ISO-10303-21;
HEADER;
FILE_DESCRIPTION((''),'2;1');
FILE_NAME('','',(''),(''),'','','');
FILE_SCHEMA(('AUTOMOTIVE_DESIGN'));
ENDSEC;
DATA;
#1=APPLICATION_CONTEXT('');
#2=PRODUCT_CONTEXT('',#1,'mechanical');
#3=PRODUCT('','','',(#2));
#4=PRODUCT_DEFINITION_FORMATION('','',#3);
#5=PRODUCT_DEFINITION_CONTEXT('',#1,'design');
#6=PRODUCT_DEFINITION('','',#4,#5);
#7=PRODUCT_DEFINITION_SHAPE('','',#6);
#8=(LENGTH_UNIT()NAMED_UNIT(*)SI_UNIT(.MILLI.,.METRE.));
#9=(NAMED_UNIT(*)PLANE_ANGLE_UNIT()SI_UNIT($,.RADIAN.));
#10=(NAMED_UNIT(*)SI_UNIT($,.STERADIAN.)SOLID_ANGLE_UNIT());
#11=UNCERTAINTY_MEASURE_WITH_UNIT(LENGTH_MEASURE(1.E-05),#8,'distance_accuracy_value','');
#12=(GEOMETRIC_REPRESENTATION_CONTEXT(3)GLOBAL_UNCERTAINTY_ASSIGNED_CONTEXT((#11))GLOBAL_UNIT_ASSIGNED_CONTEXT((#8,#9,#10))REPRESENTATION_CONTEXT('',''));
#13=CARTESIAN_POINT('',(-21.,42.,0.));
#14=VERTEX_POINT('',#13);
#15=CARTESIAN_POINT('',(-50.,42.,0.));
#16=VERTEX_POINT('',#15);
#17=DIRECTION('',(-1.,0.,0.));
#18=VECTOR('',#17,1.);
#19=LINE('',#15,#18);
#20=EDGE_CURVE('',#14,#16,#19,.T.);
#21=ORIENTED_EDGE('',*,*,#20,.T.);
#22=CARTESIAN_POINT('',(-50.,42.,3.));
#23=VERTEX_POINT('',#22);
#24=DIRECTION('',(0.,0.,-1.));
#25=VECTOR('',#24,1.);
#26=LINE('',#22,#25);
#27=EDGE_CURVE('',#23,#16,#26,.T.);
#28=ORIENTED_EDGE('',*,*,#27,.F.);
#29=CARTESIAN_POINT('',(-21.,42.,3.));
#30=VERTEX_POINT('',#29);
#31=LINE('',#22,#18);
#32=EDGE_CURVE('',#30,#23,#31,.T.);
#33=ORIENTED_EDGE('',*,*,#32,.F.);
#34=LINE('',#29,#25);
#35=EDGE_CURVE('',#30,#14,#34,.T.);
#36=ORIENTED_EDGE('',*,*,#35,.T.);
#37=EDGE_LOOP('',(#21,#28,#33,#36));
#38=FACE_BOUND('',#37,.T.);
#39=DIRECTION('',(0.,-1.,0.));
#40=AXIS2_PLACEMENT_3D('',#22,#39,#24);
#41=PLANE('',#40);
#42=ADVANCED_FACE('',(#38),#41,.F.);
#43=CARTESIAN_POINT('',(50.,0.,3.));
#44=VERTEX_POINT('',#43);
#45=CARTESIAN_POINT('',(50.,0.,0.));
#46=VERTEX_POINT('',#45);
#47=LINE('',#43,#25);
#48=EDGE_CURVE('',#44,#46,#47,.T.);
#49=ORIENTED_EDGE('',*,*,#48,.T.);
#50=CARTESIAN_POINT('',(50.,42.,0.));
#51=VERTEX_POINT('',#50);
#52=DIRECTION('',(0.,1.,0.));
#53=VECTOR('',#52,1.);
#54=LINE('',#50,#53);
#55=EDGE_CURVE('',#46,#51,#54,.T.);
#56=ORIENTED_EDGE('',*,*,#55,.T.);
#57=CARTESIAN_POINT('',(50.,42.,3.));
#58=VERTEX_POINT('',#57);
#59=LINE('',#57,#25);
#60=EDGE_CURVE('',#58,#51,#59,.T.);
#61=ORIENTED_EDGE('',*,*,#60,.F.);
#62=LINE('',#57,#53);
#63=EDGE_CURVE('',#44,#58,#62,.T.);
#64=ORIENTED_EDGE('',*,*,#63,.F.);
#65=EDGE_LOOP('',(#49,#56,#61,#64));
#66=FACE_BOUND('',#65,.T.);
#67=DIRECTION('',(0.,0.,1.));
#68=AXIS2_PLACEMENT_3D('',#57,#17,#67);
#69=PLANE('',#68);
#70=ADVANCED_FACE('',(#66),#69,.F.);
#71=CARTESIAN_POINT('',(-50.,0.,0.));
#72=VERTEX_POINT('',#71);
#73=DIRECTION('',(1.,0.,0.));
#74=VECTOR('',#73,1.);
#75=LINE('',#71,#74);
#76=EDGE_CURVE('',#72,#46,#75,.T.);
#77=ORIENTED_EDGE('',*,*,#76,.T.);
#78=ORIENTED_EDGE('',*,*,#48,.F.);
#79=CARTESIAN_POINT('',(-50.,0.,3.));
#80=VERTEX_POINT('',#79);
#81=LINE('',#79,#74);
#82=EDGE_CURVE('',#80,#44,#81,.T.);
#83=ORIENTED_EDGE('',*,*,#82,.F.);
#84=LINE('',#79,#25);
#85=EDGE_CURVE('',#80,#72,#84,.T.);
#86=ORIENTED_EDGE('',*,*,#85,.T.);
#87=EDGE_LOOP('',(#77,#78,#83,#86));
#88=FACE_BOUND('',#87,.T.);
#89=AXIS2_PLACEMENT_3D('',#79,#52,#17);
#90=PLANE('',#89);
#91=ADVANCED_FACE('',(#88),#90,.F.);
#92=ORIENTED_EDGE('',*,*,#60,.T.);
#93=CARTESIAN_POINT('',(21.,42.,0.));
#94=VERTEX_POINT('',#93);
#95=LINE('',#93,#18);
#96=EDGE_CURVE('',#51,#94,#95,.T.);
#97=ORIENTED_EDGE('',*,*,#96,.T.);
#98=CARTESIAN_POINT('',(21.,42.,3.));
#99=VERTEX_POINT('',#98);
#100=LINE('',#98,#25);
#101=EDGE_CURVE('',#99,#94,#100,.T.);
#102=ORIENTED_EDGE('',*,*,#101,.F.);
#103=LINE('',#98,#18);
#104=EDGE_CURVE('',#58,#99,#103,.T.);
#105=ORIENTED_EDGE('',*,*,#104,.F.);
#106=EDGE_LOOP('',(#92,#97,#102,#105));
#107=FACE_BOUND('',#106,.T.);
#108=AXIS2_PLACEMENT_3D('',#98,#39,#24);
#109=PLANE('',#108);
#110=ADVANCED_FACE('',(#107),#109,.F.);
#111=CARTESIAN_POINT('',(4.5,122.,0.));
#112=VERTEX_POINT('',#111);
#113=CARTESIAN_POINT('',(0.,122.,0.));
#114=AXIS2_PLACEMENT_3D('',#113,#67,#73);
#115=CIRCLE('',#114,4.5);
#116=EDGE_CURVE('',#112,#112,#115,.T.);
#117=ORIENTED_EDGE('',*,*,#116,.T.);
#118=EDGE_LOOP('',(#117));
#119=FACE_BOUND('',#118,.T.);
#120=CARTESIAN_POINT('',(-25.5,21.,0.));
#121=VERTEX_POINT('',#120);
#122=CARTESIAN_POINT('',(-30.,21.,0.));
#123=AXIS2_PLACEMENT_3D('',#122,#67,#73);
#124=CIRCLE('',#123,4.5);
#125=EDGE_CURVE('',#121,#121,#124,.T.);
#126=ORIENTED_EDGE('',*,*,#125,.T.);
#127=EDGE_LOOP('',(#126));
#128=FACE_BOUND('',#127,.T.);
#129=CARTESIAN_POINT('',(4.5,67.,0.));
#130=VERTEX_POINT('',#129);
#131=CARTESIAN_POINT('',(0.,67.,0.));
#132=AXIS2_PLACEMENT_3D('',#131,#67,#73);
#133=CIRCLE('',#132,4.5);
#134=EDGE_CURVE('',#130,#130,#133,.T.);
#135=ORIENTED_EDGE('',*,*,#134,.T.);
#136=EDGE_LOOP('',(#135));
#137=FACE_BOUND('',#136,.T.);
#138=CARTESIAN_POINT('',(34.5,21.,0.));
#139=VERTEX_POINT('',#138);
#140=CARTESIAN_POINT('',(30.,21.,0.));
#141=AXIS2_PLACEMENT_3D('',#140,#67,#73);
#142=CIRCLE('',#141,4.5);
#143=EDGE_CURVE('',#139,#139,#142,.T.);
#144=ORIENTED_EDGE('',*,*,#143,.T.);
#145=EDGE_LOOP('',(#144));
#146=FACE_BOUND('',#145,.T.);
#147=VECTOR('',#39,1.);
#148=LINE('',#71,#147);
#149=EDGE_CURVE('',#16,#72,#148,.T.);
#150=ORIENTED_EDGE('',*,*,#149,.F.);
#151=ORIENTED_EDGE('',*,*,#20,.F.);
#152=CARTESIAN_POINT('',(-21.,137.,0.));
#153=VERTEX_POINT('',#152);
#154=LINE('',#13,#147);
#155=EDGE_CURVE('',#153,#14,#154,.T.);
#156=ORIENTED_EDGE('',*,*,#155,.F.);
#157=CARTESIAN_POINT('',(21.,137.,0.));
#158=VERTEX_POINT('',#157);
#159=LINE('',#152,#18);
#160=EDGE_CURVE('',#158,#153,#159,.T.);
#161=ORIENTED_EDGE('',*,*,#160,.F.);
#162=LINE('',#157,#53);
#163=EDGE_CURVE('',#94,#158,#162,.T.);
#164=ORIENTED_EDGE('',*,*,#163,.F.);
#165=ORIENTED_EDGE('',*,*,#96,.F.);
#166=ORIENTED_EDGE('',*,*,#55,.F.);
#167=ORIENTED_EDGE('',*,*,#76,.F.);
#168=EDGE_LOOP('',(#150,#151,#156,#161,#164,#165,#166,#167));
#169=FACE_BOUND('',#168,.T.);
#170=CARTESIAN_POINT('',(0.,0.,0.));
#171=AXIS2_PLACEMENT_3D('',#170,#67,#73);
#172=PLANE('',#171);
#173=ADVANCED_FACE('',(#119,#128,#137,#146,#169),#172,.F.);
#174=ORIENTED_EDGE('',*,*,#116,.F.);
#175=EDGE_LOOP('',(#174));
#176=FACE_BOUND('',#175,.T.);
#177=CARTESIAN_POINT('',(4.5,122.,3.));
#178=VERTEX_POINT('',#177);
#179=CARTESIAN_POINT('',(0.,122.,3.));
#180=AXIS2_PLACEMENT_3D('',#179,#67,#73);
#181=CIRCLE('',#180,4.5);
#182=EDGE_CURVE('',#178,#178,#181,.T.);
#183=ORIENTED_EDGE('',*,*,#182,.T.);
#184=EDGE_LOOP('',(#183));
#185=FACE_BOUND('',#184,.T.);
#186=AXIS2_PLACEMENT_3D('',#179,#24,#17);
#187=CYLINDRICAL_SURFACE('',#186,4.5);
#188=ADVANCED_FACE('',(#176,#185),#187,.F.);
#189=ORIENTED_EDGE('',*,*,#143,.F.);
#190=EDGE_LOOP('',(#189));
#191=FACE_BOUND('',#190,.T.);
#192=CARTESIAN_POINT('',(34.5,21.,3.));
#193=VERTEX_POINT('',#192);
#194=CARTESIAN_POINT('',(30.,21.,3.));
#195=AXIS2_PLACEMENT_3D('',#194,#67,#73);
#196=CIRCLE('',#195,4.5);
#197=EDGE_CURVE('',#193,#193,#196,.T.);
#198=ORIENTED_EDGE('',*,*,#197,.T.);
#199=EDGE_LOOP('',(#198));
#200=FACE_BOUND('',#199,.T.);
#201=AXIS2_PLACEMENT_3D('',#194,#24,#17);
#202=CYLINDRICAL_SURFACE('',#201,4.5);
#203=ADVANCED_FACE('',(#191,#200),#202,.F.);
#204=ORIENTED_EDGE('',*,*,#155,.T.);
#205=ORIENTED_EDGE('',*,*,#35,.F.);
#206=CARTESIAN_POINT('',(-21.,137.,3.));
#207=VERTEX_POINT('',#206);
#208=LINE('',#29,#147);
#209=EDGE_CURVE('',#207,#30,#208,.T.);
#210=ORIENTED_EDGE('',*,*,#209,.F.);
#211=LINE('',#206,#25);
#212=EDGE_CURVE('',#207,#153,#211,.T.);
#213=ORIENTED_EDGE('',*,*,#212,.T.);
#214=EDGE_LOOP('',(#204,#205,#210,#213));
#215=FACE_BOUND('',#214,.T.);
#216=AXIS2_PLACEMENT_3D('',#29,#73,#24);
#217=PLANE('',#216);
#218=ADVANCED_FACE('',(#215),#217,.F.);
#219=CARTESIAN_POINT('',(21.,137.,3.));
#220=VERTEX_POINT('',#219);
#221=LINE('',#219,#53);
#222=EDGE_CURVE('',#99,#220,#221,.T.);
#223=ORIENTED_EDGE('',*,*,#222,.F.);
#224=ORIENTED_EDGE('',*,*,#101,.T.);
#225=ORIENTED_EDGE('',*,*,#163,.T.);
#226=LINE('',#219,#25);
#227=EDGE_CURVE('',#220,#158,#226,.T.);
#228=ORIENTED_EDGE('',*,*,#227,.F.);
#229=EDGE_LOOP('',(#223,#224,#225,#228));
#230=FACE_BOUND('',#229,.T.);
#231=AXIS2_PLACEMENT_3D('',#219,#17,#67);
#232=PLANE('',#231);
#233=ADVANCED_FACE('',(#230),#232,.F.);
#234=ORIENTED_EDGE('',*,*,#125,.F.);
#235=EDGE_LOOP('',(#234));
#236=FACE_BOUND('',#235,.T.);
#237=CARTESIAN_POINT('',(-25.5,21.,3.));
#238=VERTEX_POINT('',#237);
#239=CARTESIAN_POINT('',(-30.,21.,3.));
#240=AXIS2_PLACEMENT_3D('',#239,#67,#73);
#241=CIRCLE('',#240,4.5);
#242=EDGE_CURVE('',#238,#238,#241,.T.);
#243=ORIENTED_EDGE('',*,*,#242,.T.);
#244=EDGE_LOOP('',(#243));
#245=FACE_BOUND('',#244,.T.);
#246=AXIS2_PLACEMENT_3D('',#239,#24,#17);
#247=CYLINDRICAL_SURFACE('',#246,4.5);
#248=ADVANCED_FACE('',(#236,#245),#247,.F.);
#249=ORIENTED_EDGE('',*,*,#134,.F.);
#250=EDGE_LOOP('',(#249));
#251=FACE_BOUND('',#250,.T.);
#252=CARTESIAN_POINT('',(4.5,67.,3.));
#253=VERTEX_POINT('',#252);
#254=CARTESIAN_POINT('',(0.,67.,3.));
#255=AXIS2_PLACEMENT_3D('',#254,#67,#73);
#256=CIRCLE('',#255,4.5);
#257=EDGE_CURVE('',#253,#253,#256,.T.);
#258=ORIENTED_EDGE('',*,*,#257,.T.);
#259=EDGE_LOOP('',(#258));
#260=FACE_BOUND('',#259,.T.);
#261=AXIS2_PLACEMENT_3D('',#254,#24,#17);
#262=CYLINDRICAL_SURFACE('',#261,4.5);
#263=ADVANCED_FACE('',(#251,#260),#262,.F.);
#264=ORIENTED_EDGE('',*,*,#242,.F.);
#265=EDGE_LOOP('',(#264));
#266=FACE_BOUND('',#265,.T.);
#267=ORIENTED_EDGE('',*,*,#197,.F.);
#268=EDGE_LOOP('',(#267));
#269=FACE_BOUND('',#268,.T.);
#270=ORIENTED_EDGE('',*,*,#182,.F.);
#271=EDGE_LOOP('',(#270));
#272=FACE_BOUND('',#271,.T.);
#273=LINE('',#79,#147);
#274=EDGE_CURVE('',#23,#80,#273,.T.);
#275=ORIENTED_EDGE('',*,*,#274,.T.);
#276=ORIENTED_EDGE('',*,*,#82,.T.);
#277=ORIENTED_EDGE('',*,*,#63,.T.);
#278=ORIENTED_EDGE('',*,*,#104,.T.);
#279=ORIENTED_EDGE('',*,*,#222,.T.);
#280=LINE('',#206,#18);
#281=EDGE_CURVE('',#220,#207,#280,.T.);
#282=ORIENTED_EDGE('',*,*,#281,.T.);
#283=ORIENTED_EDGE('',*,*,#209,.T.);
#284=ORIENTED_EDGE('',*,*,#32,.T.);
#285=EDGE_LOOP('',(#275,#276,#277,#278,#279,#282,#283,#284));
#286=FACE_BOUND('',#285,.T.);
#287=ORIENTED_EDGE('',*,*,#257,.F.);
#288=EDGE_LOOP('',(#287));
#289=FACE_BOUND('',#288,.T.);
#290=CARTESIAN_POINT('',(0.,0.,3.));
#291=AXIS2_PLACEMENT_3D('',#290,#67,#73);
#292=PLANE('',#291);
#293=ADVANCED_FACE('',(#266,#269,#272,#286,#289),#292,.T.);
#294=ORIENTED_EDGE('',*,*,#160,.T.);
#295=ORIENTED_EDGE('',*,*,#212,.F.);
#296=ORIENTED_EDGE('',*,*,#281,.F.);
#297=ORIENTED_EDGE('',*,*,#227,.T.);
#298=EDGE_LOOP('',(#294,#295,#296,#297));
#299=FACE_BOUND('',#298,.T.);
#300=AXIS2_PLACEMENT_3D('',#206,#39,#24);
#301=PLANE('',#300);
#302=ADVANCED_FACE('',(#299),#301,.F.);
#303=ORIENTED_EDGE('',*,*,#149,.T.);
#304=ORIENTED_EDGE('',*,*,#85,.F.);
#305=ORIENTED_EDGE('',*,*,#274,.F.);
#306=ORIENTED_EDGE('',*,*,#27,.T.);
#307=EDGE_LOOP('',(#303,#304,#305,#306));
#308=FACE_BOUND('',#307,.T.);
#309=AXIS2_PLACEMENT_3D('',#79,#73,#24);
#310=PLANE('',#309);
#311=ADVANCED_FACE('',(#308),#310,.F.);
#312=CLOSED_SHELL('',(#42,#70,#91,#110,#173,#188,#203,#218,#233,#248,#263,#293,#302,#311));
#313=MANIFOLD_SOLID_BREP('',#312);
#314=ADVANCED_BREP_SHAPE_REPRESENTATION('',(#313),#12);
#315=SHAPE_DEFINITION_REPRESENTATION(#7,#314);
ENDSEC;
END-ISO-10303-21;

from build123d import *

# Parameters (mm, degrees)
SKETCH_1_R      = 4.5
EXTRUDE_1_DEPTH = 3


with BuildPart() as part:
    # Эскиз1 → Бобышка-Вытянуть1 (new body)
    with BuildSketch(Plane.XY):
        Polygon((-50, 0), (50, 0), (50, 42), (21, 42), (21, 137), (-21, 137), (-21, 42), (-50, 42), align=None)
        with Locations((0, 122)):
            Circle(SKETCH_1_R, mode=Mode.SUBTRACT)
        with Locations((0, 67)):
            Circle(SKETCH_1_R, mode=Mode.SUBTRACT)
        with Locations((-30, 21)):
            Circle(SKETCH_1_R, mode=Mode.SUBTRACT)
        with Locations((30, 21)):
            Circle(SKETCH_1_R, mode=Mode.SUBTRACT)
    extrude(amount=EXTRUDE_1_DEPTH)


solid = part.part
